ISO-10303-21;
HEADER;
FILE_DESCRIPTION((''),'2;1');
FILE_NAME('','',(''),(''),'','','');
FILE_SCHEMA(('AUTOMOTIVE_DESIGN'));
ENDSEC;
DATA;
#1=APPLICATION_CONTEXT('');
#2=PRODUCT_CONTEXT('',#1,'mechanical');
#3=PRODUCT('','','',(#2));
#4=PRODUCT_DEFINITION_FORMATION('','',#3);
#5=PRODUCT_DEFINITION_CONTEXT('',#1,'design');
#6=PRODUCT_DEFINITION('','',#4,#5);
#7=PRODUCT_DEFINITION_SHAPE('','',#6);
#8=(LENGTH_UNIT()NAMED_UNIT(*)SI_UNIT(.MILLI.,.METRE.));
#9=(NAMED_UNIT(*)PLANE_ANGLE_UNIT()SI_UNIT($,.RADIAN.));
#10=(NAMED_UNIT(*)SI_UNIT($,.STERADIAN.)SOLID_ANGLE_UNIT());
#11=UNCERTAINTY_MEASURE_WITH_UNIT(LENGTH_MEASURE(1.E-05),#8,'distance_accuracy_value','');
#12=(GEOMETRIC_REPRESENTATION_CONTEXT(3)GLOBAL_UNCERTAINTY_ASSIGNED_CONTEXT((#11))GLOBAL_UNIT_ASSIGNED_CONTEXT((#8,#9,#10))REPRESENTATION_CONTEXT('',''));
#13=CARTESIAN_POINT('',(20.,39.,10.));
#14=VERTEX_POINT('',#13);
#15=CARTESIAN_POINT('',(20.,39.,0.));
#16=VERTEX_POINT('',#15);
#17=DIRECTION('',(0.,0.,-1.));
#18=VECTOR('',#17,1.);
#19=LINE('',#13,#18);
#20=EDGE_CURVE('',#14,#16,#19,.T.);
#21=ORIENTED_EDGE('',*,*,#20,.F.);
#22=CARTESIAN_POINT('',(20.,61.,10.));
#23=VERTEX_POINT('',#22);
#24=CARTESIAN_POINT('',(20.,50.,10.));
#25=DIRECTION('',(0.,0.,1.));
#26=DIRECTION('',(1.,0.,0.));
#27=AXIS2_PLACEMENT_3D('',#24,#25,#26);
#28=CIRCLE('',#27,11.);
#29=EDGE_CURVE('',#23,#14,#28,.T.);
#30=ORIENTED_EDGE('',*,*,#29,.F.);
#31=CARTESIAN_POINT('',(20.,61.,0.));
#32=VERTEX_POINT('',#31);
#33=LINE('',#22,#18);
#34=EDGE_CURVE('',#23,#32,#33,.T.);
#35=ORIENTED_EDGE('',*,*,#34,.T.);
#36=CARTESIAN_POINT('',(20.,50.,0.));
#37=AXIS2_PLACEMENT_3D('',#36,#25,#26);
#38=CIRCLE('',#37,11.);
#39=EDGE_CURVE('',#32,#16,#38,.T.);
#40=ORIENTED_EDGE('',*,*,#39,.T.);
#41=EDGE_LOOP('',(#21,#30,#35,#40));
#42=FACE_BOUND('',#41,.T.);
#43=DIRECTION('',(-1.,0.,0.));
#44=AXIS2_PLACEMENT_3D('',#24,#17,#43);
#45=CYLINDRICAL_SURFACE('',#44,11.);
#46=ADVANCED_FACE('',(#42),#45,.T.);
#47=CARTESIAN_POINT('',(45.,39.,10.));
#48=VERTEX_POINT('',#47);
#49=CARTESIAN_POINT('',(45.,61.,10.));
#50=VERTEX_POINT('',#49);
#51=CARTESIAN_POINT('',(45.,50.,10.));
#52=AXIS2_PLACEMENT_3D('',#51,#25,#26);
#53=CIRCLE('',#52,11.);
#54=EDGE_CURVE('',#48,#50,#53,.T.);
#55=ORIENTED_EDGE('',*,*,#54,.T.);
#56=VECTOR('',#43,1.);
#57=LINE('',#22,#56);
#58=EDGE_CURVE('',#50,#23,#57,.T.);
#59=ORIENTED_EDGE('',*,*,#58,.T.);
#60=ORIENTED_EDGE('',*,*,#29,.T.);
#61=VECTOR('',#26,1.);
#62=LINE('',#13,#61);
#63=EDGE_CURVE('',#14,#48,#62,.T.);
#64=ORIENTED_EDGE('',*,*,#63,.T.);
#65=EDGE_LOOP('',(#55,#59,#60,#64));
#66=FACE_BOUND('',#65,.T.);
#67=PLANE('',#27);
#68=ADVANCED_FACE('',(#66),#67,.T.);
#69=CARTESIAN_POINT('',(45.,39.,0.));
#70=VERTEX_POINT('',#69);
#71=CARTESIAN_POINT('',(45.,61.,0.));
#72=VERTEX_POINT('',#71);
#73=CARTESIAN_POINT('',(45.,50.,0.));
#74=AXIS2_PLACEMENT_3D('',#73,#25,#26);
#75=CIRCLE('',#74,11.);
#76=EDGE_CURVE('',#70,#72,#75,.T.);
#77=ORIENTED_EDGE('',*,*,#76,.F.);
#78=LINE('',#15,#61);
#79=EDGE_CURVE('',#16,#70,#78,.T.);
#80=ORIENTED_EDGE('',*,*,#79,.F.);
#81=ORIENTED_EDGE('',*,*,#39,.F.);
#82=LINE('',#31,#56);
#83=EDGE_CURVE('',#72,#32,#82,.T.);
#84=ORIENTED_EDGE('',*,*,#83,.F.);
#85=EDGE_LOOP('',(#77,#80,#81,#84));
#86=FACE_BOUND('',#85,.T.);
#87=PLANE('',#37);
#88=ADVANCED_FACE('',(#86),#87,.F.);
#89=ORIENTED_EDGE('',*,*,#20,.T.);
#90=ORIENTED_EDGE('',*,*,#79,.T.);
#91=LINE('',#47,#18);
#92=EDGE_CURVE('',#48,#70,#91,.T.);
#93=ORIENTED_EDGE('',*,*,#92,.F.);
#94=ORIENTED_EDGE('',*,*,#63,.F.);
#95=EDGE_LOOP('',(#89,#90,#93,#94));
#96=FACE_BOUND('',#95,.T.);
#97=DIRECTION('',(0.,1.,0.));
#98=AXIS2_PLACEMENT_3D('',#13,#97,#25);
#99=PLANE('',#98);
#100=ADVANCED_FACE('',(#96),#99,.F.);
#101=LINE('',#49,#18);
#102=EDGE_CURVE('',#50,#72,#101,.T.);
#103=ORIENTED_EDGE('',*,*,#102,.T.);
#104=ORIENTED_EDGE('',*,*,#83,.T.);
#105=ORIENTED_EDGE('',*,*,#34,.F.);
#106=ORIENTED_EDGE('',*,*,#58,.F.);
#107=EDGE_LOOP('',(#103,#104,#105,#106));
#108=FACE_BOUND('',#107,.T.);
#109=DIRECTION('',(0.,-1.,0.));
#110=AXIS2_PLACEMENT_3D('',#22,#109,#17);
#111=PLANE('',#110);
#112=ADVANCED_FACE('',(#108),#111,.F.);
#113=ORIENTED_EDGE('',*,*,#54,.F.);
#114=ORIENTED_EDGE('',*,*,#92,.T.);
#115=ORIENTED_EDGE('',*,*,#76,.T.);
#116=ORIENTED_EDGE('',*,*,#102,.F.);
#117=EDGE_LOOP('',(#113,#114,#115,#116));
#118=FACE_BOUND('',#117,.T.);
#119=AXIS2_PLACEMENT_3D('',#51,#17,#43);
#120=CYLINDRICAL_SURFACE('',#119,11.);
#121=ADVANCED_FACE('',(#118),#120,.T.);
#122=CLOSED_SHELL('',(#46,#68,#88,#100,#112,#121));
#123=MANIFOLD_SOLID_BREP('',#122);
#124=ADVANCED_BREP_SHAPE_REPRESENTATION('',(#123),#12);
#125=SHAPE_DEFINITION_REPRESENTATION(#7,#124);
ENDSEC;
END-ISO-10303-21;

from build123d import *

# Parameters (mm, degrees)
CRANKLINK_DEPTH = 10


with BuildPart() as part:
    # 草图3 → CrankLink (new body)
    with BuildSketch(Plane.XY):
        with BuildLine():
            Line((20, 61), (45, 61))
            ThreePointArc((45, 61), (56, 50), (45, 39))
            Line((45, 39), (20, 39))
            ThreePointArc((20, 39), (9, 50), (20, 61))
        make_face()
    extrude(amount=CRANKLINK_DEPTH)


solid = part.part
